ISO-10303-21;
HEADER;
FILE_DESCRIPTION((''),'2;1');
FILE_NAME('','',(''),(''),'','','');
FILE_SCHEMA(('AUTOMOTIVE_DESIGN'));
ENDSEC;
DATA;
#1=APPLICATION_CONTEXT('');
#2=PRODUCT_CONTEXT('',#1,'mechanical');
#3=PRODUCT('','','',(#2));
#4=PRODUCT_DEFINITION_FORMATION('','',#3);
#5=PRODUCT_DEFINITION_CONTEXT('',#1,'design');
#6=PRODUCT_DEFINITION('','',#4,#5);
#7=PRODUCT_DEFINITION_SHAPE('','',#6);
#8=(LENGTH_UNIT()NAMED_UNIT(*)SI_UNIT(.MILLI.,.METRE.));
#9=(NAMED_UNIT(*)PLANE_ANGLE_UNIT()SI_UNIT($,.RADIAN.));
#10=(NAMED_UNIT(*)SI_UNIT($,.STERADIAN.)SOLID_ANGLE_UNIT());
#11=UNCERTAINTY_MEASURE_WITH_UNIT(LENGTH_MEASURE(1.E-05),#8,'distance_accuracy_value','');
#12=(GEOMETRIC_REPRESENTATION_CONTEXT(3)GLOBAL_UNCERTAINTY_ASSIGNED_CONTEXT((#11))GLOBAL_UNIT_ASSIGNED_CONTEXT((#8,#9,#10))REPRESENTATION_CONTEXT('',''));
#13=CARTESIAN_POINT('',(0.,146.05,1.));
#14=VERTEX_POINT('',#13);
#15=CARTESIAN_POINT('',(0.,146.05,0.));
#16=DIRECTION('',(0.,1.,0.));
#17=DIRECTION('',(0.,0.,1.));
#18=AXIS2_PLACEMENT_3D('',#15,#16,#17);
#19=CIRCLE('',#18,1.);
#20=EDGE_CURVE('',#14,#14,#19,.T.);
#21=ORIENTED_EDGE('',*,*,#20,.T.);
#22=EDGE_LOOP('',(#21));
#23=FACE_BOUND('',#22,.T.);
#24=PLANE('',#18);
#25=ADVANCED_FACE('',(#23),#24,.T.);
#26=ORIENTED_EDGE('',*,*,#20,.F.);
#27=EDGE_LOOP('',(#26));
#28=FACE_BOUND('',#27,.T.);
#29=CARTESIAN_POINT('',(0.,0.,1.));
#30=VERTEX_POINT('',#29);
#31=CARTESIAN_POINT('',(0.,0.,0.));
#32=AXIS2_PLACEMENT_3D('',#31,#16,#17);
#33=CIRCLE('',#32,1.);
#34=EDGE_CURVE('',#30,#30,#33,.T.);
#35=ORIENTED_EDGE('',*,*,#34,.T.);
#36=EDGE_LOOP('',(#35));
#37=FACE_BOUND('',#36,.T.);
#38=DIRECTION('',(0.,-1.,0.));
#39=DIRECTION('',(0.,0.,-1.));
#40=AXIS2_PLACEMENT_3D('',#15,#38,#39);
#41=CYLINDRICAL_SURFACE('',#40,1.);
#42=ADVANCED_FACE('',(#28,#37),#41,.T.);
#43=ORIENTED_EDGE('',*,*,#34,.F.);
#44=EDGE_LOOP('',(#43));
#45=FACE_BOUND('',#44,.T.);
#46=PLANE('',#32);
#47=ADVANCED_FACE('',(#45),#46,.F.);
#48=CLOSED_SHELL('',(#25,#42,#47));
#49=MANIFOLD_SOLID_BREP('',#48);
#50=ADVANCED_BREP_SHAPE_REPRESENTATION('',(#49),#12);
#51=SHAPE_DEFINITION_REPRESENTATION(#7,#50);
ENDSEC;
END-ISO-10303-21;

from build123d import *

# Parameters (mm, degrees)
SKETCH1_R           = 1
BOSS_EXTRUDE1_DEPTH = 146.05


with BuildPart() as part:
    # Sketch1 → Boss-Extrude1 (new body)
    with BuildSketch(Plane(origin=(0, 0, 0), x_dir=(1, 0, 0), z_dir=(0, 1, 0))):
        Circle(SKETCH1_R)
    extrude(amount=BOSS_EXTRUDE1_DEPTH)


solid = part.part
